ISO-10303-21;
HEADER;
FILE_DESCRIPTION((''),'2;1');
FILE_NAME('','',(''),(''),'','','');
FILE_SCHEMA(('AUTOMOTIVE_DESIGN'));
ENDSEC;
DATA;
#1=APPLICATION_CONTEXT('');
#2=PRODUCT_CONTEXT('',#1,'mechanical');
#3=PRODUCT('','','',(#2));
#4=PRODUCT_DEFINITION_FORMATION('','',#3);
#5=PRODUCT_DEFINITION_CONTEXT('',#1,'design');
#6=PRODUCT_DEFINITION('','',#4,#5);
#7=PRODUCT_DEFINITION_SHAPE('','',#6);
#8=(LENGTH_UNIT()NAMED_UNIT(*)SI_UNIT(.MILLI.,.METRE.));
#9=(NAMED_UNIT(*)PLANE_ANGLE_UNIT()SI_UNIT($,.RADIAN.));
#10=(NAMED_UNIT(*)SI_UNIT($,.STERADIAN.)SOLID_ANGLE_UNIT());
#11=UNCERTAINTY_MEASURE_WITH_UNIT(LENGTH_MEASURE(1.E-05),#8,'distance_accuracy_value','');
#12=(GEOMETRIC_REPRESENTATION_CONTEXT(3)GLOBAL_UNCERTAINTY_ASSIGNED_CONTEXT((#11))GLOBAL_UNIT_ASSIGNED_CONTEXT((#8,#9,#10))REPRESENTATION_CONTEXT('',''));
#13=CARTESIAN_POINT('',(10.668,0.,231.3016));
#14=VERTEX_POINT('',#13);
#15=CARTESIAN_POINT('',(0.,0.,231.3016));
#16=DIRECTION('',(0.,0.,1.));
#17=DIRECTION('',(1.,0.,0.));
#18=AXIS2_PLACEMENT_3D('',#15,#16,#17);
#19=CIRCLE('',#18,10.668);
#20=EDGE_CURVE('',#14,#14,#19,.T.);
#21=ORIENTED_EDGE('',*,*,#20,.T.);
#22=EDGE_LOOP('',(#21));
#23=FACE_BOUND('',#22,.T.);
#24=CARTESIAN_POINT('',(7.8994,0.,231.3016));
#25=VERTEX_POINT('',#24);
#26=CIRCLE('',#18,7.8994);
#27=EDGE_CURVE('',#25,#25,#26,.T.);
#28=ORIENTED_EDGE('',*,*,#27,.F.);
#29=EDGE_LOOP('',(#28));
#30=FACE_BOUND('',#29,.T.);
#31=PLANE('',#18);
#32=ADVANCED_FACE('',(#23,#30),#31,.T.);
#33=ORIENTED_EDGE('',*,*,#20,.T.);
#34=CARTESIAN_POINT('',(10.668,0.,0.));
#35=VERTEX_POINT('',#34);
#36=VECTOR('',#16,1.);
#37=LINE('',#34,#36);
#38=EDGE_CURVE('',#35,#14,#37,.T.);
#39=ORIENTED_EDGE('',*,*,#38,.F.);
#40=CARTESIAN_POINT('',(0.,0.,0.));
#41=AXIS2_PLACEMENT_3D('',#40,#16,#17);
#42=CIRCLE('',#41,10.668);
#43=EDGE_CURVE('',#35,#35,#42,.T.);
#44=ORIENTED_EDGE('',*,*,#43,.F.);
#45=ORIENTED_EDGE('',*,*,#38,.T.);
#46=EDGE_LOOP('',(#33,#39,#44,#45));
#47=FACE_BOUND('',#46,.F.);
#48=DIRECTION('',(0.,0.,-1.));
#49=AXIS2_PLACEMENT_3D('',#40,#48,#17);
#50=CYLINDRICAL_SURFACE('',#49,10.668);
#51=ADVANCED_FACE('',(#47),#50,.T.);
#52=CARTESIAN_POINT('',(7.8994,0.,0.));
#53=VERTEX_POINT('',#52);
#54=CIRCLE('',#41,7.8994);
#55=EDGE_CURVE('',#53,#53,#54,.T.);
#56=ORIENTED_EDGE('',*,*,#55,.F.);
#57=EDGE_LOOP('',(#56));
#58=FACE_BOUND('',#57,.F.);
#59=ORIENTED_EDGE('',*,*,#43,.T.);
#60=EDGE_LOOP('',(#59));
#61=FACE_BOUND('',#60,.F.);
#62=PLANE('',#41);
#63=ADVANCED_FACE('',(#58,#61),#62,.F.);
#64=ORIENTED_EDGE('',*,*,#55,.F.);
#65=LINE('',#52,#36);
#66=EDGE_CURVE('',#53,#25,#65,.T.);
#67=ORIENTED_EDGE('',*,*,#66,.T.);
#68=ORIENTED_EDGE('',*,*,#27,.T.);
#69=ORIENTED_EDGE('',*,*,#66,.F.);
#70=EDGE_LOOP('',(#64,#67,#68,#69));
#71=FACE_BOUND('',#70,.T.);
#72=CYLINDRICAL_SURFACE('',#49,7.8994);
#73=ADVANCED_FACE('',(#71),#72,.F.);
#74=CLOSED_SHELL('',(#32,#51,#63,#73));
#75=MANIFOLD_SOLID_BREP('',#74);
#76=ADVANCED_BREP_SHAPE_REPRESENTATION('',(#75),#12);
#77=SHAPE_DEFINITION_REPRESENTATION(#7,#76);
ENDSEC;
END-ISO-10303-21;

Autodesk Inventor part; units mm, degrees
ref_plane "YZ Plane" through (0, 0, 0) normal (1, 0, 0) x (0, 1, 0)
ref_plane "Start Plane" through (0, 0, 0) normal (0, 0, 1) x (1, 0, 0)
ref_plane "End Plane" through (0, 0, 231.3016) normal (0, 0, 1) x (1, 0, 0)
sketch "Sketch" plane through (0, 0, 0) normal (0, 0, 1) x (1, 0, 0)
  circle A0 centre (0, 0) radius 7.8994
  circle A1 centre (0, 0) radius 10.668
  dimension "d0" = 21.336
  dimension "d1" = 2.7686
extrude "Body" add sketch "Sketch" along normal up to surface (231.3016 mm away) from surface at 0
sketch "Sketch3" plane through (0, 0, 0) normal (0, 0, 1) x (1, 0, 0)
  line L0 (0, 0) -> (10, 0)
ref_plane "Work Plane3" through (0, 0, 0) normal (0, -1, 0) x (1, 0, 0)
sketch "Sketch4" plane through (0, 0, 0) normal (0, -1, 0) x (1, 0, 0)
  line L0 (-2, 0) -> (12, 0) projected
  line L1 (-2, 231.3016) -> (12, 231.3016) projected
  dimension "d7" = 231.3016
equation "\"d0\" = G_H"
equation "\"d1\" = G_T"
equation "\"d2\" = G_L"
equation "\"G_H\" = 21.336"
equation "\"G_T\" = 2.7686"
equation "\"G_L\" = d7"
equation "\"G_OFFSET_START\" = 0"
equation "\"G_OFFSET_END\" = 0"
equation "\"d5\" = G_OFFSET_END + B_L"
equation "\"B_L\" = 231.30161"
properties part number "ANSI - 1/2 x 0.109 - 9.106" material "Steel, Mild"
